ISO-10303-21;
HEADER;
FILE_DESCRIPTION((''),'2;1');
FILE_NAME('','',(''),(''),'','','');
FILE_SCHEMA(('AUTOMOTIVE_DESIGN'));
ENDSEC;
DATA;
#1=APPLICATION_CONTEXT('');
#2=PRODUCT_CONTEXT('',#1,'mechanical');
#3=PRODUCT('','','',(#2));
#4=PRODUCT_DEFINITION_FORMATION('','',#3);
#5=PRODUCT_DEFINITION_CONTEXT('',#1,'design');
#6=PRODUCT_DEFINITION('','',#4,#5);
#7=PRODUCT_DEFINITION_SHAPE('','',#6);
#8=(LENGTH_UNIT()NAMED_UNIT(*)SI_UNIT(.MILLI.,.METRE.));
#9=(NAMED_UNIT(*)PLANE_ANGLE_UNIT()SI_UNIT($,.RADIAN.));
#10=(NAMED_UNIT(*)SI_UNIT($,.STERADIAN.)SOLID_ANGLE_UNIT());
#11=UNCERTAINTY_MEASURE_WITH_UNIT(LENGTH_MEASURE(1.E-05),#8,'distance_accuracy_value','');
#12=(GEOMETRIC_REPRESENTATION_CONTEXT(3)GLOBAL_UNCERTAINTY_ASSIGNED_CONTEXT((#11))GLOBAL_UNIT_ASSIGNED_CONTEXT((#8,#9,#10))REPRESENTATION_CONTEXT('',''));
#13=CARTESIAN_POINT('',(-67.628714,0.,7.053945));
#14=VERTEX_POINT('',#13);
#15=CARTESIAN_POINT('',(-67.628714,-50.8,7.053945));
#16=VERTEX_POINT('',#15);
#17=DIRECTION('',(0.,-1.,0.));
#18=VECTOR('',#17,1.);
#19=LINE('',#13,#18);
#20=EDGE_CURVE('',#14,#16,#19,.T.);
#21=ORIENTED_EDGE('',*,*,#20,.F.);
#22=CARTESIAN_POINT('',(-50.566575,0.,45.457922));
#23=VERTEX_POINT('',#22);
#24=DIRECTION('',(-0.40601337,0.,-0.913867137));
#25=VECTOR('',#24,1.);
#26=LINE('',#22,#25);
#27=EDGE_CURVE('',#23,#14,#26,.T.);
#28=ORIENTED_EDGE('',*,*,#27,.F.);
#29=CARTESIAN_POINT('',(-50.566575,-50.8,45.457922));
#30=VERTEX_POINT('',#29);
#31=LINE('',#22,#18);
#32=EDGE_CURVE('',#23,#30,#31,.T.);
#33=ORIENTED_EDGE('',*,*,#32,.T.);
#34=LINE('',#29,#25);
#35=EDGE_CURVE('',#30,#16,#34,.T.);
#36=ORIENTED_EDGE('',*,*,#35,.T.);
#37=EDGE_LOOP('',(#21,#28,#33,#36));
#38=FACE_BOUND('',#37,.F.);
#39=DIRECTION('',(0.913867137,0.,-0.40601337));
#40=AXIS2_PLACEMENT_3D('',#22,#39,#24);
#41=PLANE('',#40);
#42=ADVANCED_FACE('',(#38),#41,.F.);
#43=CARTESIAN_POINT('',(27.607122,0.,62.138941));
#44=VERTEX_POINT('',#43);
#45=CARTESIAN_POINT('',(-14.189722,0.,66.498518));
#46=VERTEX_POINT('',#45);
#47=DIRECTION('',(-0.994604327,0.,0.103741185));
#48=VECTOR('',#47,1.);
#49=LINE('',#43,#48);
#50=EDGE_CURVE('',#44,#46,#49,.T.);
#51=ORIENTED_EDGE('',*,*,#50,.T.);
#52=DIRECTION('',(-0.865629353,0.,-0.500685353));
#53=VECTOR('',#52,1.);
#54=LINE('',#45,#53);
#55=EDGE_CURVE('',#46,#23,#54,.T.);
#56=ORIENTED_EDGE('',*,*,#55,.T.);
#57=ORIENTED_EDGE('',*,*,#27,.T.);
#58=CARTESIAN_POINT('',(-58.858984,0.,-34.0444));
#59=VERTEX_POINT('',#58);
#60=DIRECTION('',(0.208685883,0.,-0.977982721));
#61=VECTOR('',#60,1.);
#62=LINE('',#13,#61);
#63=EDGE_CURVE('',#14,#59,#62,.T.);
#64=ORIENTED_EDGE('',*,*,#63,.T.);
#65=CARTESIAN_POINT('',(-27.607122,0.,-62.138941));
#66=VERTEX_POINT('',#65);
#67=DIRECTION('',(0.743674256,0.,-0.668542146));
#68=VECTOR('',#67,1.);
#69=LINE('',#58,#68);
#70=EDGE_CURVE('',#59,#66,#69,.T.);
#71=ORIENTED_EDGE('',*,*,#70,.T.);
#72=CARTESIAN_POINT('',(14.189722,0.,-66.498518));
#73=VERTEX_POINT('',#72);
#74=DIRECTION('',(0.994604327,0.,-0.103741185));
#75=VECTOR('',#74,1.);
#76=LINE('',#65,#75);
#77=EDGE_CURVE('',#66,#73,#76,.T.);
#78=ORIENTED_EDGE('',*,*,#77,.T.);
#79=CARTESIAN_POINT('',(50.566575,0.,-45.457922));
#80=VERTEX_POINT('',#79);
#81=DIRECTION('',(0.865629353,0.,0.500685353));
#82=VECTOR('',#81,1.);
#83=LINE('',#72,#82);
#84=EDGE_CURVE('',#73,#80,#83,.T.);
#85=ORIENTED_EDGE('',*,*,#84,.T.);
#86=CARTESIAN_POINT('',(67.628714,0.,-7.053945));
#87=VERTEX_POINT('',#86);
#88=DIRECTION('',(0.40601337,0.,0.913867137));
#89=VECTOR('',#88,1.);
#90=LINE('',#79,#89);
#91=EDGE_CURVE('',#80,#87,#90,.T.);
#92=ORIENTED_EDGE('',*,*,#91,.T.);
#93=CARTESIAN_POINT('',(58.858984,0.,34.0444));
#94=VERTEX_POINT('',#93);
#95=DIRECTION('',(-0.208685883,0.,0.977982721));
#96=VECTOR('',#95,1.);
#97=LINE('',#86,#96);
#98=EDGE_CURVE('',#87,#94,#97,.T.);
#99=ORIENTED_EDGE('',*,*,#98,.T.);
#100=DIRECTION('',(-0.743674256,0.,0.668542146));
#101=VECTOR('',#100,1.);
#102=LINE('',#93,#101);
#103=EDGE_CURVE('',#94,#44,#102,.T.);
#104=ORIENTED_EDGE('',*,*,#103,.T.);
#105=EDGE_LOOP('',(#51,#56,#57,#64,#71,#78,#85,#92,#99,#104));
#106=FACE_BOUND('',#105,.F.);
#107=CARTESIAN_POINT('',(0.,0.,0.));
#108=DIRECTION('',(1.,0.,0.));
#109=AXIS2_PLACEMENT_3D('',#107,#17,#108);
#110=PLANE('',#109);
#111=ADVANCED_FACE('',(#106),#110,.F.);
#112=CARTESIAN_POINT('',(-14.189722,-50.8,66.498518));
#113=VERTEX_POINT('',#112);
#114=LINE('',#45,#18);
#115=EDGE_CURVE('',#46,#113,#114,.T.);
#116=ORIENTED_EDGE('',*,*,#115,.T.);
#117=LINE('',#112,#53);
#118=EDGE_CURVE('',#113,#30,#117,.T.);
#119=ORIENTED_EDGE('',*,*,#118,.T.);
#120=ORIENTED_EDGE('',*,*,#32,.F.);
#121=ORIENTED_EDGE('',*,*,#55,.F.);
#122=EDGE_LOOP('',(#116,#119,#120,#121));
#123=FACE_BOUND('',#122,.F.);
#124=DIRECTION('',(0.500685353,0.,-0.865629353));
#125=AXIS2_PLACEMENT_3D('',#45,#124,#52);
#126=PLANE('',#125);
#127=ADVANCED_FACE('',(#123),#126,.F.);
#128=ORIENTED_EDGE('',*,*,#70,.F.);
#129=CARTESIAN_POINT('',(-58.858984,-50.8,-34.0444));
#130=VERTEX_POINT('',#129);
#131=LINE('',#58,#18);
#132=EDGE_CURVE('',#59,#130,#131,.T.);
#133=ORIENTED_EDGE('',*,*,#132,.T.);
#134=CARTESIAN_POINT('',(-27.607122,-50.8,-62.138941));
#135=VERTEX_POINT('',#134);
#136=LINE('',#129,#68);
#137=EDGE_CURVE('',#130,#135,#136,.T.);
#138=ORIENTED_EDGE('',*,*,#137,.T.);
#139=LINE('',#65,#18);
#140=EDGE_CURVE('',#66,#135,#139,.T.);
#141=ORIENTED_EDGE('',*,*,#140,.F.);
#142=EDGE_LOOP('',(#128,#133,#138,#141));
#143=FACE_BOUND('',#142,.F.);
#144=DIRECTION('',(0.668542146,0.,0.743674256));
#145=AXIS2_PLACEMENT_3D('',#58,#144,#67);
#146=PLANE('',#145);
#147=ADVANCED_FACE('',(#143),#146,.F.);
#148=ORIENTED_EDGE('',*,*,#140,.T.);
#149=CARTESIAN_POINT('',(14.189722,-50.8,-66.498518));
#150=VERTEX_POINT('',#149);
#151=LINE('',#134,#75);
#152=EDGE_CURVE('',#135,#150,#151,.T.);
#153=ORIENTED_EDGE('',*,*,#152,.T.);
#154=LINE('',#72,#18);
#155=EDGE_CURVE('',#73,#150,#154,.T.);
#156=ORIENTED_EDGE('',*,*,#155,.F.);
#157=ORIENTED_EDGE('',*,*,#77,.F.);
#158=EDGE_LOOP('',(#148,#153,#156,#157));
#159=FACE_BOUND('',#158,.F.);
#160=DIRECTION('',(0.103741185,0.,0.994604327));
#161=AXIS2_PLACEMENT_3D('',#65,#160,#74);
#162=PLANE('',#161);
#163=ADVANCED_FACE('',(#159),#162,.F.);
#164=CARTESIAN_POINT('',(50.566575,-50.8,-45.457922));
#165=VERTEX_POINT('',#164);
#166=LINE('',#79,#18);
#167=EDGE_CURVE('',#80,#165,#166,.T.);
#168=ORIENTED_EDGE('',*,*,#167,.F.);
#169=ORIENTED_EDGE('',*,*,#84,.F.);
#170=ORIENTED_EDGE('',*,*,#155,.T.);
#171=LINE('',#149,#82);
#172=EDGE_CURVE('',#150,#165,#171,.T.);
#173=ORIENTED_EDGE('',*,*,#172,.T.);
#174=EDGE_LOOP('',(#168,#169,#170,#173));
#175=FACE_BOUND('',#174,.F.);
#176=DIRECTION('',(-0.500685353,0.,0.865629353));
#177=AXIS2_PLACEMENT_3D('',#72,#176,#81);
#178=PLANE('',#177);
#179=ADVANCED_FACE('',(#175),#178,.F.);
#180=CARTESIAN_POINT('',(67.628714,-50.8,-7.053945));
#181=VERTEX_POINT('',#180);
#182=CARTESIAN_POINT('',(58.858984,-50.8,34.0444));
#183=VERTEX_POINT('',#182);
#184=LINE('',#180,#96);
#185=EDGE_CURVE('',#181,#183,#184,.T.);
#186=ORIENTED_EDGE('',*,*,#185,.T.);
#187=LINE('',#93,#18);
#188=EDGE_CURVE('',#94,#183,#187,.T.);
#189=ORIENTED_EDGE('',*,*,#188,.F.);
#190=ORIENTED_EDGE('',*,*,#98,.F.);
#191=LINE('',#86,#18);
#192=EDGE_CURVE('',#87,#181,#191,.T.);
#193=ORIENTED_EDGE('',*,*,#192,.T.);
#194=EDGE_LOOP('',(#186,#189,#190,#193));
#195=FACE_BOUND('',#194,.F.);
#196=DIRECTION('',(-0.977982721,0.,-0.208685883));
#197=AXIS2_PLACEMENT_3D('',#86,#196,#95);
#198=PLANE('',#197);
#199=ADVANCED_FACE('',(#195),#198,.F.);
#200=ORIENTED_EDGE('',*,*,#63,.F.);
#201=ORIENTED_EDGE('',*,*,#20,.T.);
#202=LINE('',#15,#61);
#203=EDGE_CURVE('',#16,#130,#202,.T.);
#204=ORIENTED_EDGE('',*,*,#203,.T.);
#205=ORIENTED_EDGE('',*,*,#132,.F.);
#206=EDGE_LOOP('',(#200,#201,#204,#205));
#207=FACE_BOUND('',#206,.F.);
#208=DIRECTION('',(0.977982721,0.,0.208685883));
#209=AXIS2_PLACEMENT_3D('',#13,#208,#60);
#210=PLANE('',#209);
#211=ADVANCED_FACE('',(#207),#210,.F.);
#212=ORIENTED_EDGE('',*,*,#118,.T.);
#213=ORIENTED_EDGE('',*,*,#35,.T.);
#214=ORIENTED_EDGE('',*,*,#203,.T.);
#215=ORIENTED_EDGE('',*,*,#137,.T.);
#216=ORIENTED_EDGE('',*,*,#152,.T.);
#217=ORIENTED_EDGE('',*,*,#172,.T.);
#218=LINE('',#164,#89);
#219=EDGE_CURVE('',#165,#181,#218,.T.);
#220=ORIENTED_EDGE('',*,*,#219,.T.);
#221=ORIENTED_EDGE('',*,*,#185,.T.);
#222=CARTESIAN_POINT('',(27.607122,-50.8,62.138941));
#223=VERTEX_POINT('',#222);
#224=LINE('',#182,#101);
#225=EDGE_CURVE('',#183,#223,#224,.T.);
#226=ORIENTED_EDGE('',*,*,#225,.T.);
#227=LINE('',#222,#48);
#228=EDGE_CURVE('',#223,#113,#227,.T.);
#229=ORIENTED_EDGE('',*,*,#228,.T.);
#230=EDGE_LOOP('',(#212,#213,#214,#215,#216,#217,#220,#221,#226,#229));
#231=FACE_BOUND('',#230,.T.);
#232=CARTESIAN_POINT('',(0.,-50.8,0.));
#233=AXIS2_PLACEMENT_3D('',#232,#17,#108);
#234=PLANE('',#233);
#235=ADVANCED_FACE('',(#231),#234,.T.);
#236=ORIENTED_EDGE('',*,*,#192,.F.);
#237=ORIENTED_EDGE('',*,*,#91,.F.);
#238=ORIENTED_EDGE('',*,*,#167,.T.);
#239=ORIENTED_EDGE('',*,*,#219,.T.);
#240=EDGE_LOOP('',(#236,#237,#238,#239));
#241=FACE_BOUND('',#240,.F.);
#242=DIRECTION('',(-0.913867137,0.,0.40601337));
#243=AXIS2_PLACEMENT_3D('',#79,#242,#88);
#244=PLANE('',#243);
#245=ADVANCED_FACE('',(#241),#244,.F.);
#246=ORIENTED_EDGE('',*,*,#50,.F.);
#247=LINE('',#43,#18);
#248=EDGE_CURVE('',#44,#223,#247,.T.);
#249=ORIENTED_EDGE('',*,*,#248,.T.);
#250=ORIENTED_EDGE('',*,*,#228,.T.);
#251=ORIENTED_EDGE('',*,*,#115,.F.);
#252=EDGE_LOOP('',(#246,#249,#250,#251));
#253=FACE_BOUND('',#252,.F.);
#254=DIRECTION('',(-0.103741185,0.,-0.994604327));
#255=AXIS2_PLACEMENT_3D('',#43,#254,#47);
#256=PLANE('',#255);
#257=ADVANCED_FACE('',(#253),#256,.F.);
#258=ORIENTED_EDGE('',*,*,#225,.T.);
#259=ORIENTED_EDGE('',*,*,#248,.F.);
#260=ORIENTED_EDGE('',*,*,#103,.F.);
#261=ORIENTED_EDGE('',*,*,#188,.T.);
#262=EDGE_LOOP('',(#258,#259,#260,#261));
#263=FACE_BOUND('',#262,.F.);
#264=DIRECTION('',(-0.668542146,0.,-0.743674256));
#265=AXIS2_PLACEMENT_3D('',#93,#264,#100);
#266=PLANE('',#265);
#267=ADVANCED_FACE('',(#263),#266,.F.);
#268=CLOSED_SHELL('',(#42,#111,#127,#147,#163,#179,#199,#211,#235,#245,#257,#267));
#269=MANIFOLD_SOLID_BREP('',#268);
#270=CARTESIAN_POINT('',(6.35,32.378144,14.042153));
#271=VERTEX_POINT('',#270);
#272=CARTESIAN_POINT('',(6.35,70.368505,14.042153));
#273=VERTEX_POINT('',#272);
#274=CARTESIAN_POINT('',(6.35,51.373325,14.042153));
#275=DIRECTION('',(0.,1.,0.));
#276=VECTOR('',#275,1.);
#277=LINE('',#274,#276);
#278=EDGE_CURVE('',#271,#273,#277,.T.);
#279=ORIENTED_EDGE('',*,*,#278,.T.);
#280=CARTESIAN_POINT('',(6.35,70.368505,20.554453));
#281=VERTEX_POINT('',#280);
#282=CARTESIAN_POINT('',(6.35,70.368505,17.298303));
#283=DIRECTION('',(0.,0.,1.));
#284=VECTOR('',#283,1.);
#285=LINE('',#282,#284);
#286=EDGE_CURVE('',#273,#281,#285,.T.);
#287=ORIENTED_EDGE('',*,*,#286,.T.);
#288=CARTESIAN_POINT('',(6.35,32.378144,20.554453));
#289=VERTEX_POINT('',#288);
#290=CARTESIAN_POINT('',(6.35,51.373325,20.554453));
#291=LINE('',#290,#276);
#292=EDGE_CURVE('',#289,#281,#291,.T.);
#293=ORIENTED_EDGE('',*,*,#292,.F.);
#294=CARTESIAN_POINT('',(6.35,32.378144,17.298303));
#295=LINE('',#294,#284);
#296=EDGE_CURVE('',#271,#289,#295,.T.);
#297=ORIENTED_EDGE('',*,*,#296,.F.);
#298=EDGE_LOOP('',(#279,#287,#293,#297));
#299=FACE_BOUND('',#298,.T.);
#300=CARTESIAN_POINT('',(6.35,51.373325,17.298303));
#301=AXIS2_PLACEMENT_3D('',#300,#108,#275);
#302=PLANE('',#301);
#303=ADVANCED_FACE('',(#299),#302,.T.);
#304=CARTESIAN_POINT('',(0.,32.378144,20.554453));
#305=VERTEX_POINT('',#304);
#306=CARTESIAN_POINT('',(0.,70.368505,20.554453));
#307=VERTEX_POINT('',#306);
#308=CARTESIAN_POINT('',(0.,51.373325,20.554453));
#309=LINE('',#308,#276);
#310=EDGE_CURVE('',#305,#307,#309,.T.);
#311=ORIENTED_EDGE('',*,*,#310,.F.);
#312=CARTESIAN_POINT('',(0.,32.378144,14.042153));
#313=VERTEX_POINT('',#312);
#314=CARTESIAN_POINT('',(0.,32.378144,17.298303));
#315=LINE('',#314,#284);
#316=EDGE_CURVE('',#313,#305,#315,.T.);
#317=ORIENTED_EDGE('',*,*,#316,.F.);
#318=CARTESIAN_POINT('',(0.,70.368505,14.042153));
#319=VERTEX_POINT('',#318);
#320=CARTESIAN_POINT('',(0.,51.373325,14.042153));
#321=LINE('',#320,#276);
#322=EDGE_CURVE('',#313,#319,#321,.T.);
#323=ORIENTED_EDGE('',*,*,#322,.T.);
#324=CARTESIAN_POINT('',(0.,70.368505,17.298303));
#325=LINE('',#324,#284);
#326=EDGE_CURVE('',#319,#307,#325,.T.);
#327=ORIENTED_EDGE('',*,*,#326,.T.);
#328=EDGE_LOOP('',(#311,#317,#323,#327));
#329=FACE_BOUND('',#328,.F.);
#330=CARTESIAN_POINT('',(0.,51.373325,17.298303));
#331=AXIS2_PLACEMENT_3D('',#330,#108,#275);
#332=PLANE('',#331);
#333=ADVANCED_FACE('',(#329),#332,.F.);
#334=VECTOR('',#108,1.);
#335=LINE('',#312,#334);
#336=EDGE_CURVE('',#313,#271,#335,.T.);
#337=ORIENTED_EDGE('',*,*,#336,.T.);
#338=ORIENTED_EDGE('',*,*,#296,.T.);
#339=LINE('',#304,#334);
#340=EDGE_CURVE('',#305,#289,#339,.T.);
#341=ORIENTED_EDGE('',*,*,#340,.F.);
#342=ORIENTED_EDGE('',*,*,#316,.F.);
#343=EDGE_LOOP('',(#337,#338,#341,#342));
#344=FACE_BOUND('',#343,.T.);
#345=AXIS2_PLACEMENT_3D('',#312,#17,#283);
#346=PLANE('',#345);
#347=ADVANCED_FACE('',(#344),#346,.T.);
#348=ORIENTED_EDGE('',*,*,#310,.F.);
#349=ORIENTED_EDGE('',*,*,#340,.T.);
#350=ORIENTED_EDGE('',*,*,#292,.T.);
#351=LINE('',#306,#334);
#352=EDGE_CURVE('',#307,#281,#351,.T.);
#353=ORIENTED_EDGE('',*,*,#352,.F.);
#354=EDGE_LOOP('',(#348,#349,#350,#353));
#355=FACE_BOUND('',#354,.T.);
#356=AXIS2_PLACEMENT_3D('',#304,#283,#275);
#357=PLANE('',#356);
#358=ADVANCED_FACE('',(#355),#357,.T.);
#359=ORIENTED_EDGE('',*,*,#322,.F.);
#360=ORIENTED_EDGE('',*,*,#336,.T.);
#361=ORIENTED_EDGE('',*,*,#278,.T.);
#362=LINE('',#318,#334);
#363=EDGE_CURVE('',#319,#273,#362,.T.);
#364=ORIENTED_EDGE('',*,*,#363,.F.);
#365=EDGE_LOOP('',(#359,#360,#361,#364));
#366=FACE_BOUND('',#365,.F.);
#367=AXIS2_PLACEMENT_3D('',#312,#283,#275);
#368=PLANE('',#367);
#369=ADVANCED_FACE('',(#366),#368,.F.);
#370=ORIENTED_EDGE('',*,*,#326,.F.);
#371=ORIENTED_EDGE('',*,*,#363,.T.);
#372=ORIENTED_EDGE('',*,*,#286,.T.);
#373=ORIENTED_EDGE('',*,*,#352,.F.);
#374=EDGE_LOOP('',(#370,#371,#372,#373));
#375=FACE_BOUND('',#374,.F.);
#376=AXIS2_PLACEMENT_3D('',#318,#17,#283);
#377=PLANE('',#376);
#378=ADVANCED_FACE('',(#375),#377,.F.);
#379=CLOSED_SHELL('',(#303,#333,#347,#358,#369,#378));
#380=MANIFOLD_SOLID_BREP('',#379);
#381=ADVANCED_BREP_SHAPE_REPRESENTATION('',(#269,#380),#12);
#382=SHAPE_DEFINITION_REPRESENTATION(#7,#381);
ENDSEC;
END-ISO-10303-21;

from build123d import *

# Parameters (mm, degrees)
F1_DEPTH = 50.8
F2_W     = 37.990361
F2_H     = 6.512299
F3_DEPTH = 6.35


with BuildPart() as f1:
    # F0 (on Front) → F1 (new body)
    with BuildSketch(Plane.XZ):
        Polygon((-14.189722, 66.498518), (-50.566575, 45.457922), (-67.628714, 7.053945), (-58.858984, -34.0444), (-27.607122, -62.138941), (14.189722, -66.498518), (50.566575, -45.457922), (67.628714, -7.053945), (58.858984, 34.0444), (27.607122, 62.138941), align=None)
    extrude(amount=F1_DEPTH)


with BuildPart() as f3:
    # F2 (on Right) → F3 (new body)
    with BuildSketch(Plane.YZ):
        with Locations((51.373325, 17.298303)):
            Rectangle(F2_W, F2_H)
    extrude(amount=F3_DEPTH)


solid = Compound([f1.part, f3.part])
